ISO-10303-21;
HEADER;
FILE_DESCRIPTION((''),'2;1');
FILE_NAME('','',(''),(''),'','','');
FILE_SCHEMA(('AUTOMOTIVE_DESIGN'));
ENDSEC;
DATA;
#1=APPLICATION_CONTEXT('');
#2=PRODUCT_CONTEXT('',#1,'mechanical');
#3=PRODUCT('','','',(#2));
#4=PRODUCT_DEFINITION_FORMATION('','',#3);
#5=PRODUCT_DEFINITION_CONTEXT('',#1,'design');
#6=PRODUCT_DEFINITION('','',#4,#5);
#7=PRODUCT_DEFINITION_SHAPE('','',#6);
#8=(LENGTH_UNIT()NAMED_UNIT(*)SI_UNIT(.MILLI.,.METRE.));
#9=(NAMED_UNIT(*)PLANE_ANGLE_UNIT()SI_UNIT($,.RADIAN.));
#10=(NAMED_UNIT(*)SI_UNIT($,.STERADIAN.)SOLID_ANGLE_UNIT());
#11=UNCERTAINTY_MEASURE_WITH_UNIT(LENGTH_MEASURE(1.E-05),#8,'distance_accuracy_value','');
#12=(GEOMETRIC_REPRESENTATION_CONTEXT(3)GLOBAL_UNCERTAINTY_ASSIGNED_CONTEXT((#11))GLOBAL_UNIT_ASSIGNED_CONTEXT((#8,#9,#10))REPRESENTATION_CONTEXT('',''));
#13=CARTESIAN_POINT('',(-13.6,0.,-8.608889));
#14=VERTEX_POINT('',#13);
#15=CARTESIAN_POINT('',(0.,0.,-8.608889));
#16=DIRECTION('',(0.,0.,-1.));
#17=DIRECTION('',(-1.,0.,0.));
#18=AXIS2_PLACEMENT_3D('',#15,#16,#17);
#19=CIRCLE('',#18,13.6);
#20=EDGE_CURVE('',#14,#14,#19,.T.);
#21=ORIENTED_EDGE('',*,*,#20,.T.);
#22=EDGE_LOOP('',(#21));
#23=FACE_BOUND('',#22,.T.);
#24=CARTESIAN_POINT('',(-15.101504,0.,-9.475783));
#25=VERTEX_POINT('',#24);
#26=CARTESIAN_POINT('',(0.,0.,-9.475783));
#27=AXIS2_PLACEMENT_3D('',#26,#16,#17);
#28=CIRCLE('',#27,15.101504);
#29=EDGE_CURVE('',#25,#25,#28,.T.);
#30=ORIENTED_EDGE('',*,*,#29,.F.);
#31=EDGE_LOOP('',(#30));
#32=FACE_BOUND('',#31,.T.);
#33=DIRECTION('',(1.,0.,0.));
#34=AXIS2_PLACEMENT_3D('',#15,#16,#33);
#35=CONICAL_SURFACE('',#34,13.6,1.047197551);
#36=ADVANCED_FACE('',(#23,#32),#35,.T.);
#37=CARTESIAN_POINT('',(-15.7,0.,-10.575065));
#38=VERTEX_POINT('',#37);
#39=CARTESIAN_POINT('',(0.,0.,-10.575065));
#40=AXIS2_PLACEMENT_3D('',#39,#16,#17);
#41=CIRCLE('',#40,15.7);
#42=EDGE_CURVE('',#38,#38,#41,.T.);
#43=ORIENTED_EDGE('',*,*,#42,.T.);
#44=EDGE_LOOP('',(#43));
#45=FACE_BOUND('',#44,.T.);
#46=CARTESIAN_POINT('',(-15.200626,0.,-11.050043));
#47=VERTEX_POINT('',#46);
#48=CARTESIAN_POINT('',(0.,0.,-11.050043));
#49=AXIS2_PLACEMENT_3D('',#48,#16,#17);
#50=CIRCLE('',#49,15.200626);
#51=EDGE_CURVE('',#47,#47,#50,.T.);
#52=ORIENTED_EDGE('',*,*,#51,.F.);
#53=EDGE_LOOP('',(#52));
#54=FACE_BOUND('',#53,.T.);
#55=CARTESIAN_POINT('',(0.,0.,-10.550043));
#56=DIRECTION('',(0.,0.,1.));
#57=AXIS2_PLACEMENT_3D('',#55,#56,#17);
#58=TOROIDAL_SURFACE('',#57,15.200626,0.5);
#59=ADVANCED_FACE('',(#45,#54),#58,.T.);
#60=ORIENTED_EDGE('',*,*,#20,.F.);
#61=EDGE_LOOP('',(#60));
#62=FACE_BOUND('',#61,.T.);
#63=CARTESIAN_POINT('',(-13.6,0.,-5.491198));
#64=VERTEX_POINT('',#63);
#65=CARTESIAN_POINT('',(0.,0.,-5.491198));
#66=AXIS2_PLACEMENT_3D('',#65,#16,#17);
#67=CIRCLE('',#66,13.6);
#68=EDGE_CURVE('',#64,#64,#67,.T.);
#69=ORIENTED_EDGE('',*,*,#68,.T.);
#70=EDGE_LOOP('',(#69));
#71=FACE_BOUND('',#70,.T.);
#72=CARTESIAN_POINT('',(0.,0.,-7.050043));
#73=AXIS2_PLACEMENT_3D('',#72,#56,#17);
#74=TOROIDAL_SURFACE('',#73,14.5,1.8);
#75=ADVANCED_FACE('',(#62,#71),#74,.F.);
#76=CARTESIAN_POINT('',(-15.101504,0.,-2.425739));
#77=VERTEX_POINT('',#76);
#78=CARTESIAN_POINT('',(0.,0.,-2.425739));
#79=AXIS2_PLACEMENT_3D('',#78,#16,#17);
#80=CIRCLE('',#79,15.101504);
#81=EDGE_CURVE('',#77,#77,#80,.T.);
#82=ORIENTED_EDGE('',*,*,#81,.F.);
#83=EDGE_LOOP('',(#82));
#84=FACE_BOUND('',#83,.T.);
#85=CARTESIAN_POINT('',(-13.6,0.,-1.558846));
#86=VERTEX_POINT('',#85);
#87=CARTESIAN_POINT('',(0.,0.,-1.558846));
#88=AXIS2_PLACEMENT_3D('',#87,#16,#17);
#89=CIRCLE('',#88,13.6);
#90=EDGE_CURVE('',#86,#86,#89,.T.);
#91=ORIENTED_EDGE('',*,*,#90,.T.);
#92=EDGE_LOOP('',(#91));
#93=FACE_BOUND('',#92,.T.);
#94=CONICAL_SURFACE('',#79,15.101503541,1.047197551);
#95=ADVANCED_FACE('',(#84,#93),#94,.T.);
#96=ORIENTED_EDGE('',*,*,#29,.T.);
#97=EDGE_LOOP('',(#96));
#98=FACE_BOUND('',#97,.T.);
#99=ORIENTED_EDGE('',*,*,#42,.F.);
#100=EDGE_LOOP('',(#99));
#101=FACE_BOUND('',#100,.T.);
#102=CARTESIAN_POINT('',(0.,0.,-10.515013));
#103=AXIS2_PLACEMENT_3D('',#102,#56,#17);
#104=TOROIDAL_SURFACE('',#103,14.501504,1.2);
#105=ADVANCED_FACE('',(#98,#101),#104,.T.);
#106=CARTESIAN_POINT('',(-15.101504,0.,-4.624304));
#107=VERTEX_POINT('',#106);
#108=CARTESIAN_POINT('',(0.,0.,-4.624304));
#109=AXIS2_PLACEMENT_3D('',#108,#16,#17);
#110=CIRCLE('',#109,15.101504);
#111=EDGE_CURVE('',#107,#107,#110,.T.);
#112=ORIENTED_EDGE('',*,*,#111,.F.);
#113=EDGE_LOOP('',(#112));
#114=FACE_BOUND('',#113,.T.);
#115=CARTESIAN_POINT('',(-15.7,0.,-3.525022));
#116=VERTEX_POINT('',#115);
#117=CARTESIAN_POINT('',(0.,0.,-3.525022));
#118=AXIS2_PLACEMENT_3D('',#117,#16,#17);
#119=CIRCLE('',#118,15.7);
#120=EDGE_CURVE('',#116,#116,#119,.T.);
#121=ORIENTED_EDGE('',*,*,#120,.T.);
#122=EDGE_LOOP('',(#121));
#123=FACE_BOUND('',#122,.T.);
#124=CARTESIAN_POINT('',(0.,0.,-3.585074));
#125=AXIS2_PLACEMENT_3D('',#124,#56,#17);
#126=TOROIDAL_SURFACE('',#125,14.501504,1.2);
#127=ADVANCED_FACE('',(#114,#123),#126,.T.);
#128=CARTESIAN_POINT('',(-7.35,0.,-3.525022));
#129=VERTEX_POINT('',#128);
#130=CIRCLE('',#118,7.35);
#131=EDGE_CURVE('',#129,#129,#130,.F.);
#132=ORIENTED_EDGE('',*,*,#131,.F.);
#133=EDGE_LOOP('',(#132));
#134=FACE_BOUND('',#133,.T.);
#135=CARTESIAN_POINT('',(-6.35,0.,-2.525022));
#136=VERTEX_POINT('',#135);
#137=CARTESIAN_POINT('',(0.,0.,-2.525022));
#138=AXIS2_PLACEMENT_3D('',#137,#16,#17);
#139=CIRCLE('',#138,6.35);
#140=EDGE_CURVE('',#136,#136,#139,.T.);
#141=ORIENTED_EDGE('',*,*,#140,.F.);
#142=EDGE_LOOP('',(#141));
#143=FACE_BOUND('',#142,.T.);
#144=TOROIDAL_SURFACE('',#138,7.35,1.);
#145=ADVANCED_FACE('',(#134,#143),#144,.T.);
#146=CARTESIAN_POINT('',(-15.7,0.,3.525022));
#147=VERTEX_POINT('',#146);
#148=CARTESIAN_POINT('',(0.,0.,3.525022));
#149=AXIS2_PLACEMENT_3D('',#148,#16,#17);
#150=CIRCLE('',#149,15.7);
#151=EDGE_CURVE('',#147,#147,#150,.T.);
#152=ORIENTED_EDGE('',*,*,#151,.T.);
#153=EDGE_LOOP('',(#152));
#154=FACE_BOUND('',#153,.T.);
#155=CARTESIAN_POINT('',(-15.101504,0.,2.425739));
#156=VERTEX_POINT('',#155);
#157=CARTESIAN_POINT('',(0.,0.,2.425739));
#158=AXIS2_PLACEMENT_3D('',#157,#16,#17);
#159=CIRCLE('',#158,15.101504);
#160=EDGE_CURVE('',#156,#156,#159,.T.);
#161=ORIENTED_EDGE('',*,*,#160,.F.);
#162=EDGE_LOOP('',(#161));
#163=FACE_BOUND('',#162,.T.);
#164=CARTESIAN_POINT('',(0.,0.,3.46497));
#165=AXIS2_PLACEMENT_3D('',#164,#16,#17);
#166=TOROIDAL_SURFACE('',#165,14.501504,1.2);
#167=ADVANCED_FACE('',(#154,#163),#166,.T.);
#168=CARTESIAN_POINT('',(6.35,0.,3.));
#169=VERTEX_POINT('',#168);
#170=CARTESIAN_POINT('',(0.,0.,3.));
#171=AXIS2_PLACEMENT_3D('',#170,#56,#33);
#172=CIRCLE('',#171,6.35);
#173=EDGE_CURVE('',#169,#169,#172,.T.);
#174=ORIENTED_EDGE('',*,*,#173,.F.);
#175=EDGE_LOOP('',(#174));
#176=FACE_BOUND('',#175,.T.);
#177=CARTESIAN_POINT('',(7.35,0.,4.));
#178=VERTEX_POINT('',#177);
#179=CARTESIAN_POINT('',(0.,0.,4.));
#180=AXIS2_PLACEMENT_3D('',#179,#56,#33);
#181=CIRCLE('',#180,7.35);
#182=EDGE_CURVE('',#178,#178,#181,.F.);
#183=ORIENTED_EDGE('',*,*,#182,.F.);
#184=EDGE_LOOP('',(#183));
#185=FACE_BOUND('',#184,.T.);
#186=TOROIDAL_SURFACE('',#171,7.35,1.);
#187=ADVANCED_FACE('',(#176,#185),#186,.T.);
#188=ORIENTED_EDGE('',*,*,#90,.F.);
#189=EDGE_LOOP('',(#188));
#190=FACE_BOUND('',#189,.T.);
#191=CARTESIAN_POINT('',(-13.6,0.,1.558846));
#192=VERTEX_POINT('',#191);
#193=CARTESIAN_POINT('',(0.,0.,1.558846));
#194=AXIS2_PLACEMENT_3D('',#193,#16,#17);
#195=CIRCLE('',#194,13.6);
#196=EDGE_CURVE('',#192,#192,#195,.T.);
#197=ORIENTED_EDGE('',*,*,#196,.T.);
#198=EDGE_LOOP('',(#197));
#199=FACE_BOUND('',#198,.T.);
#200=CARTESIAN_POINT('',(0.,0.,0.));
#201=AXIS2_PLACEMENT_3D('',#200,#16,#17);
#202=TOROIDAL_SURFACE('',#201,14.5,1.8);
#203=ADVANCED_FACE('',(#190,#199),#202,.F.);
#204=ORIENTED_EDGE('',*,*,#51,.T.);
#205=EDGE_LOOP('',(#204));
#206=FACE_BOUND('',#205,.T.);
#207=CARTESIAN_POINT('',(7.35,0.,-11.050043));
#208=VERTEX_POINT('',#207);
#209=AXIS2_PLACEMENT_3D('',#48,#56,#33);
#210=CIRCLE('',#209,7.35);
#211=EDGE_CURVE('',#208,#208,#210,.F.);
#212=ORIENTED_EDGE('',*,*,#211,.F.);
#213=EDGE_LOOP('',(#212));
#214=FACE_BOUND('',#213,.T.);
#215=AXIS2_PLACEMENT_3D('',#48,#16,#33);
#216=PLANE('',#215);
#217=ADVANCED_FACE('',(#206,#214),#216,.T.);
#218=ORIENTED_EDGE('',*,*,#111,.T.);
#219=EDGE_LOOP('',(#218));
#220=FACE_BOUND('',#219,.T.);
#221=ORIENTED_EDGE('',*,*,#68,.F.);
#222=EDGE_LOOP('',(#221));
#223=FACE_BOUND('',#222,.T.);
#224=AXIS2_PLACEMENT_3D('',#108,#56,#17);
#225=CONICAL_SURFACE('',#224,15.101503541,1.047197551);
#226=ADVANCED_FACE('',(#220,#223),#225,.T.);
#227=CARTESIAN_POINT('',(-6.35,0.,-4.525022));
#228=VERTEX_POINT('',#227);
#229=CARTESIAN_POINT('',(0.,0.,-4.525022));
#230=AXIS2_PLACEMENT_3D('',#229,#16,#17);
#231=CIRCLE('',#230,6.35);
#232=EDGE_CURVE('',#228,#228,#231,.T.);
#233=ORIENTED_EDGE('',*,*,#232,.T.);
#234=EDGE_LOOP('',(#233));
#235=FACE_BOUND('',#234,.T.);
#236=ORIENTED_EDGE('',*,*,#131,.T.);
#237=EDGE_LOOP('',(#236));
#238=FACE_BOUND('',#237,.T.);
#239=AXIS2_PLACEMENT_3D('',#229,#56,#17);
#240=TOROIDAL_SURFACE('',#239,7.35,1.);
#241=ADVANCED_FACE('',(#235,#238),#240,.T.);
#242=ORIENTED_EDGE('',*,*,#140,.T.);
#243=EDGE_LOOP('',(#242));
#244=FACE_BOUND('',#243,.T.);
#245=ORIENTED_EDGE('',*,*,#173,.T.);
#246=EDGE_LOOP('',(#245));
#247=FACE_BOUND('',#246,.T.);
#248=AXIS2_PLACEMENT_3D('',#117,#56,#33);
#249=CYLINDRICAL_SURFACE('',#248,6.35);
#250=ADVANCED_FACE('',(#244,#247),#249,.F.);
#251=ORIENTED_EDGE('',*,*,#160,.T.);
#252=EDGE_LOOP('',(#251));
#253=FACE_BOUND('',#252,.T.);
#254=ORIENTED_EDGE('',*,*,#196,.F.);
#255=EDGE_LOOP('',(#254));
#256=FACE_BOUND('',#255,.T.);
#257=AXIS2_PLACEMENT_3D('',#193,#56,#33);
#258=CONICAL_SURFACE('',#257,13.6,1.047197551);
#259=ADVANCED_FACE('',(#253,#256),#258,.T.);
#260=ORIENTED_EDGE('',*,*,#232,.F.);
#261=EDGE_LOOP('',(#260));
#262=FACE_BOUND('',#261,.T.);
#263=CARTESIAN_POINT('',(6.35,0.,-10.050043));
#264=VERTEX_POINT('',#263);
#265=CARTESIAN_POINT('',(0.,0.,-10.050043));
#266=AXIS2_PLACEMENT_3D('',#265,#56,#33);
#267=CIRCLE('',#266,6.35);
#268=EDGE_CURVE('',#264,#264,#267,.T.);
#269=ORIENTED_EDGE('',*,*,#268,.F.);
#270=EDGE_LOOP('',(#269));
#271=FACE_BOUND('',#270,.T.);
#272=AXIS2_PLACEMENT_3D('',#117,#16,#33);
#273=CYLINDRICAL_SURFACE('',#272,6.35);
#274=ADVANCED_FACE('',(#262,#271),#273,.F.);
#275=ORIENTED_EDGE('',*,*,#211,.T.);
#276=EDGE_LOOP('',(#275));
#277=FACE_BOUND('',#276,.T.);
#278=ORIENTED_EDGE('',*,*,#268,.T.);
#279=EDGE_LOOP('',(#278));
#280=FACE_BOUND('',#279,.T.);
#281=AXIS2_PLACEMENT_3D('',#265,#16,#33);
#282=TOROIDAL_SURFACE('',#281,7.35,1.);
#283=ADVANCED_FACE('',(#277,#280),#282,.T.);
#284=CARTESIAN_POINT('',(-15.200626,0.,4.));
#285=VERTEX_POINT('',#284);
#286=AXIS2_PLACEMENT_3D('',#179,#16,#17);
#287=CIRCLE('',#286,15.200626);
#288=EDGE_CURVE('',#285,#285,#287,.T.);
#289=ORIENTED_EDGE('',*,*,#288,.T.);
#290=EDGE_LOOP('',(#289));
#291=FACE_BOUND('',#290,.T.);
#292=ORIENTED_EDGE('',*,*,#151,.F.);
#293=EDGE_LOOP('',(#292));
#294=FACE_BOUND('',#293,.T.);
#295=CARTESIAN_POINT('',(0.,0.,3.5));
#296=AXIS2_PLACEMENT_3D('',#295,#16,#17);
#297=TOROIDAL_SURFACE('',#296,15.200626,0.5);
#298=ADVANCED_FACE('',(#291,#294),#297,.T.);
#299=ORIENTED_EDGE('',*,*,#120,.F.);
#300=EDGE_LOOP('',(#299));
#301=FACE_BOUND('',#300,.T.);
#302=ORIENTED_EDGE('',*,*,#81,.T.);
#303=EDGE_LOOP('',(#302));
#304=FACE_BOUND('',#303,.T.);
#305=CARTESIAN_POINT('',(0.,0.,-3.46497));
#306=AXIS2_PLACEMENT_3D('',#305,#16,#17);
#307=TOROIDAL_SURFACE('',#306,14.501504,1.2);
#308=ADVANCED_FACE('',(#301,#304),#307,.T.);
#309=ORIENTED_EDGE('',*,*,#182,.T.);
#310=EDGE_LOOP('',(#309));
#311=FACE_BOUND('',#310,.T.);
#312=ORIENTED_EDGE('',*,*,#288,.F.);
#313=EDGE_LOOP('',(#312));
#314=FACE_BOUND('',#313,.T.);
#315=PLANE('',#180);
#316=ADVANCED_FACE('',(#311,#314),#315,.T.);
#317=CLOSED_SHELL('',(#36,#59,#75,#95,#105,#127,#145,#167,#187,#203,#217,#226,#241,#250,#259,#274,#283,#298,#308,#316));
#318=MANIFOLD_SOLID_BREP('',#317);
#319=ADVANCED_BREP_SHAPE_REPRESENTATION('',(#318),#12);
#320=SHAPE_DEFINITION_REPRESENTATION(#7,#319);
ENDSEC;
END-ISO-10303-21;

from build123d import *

# Parameters (mm, degrees)
SKETCH2_R          = 6.35
CUT_EXTRUDE1_DEPTH = 8.525021755
FILLET1_R          = 1


with BuildPart() as part:
    # Sketch1 → Revolve1 (revolve)
    with BuildSketch(Plane(origin=(0, 0, 0), x_dir=(0, 0, -1), z_dir=(1, 0, 0))):
        with BuildLine():
            Line((-4, 0), (-4, 15.200626476))
            ThreePointArc((-4, 15.200626476), (-3.86229189, 15.54521984), (-3.525021653, 15.7))
            ThreePointArc((-3.525021653, 15.7), (-2.891169071, 15.555426146), (-2.425739201, 15.101503541))
            Line((-2.425739201, 15.101503541), (-1.558845727, 13.6))
            ThreePointArc((-1.558845727, 13.6), (0, 12.7), (1.558845727, 13.6))
            Line((1.558845727, 13.6), (2.425739201, 15.101503541))
            ThreePointArc((2.425739201, 15.101503541), (2.891169071, 15.555426146), (3.525021653, 15.7))
            Line((3.525021653, 15.7), (3.525021653, 0))
            Line((3.525021653, 0), (-4, 0))
        make_face()
    revolve(axis=Axis((0, 0, 0), (0, 0, 1)))

    # Sketch2 → Cut-Extrude1 (cut, through all)
    with BuildSketch(Plane.XY.offset(4)):
        Circle(SKETCH2_R)
    extrude(amount=-CUT_EXTRUDE1_DEPTH, mode=Mode.SUBTRACT)

    # Fillet1
    fillet1_edges = [part.edges().sort_by_distance(p)[0] for p in [
        (-6.35, 0, -3.525021653),
        (-6.35, 0, 4),
    ]]
    fillet(fillet1_edges, radius=FILLET1_R)

    # Mirror1: part across plane


with BuildPart() as part_1:
    add(part.part)
    add(part.part.mirror(Plane(origin=(0, 0, -3.525021653), x_dir=(1, 0, 0), z_dir=(0, 0, -1))))


solid = part_1.part
